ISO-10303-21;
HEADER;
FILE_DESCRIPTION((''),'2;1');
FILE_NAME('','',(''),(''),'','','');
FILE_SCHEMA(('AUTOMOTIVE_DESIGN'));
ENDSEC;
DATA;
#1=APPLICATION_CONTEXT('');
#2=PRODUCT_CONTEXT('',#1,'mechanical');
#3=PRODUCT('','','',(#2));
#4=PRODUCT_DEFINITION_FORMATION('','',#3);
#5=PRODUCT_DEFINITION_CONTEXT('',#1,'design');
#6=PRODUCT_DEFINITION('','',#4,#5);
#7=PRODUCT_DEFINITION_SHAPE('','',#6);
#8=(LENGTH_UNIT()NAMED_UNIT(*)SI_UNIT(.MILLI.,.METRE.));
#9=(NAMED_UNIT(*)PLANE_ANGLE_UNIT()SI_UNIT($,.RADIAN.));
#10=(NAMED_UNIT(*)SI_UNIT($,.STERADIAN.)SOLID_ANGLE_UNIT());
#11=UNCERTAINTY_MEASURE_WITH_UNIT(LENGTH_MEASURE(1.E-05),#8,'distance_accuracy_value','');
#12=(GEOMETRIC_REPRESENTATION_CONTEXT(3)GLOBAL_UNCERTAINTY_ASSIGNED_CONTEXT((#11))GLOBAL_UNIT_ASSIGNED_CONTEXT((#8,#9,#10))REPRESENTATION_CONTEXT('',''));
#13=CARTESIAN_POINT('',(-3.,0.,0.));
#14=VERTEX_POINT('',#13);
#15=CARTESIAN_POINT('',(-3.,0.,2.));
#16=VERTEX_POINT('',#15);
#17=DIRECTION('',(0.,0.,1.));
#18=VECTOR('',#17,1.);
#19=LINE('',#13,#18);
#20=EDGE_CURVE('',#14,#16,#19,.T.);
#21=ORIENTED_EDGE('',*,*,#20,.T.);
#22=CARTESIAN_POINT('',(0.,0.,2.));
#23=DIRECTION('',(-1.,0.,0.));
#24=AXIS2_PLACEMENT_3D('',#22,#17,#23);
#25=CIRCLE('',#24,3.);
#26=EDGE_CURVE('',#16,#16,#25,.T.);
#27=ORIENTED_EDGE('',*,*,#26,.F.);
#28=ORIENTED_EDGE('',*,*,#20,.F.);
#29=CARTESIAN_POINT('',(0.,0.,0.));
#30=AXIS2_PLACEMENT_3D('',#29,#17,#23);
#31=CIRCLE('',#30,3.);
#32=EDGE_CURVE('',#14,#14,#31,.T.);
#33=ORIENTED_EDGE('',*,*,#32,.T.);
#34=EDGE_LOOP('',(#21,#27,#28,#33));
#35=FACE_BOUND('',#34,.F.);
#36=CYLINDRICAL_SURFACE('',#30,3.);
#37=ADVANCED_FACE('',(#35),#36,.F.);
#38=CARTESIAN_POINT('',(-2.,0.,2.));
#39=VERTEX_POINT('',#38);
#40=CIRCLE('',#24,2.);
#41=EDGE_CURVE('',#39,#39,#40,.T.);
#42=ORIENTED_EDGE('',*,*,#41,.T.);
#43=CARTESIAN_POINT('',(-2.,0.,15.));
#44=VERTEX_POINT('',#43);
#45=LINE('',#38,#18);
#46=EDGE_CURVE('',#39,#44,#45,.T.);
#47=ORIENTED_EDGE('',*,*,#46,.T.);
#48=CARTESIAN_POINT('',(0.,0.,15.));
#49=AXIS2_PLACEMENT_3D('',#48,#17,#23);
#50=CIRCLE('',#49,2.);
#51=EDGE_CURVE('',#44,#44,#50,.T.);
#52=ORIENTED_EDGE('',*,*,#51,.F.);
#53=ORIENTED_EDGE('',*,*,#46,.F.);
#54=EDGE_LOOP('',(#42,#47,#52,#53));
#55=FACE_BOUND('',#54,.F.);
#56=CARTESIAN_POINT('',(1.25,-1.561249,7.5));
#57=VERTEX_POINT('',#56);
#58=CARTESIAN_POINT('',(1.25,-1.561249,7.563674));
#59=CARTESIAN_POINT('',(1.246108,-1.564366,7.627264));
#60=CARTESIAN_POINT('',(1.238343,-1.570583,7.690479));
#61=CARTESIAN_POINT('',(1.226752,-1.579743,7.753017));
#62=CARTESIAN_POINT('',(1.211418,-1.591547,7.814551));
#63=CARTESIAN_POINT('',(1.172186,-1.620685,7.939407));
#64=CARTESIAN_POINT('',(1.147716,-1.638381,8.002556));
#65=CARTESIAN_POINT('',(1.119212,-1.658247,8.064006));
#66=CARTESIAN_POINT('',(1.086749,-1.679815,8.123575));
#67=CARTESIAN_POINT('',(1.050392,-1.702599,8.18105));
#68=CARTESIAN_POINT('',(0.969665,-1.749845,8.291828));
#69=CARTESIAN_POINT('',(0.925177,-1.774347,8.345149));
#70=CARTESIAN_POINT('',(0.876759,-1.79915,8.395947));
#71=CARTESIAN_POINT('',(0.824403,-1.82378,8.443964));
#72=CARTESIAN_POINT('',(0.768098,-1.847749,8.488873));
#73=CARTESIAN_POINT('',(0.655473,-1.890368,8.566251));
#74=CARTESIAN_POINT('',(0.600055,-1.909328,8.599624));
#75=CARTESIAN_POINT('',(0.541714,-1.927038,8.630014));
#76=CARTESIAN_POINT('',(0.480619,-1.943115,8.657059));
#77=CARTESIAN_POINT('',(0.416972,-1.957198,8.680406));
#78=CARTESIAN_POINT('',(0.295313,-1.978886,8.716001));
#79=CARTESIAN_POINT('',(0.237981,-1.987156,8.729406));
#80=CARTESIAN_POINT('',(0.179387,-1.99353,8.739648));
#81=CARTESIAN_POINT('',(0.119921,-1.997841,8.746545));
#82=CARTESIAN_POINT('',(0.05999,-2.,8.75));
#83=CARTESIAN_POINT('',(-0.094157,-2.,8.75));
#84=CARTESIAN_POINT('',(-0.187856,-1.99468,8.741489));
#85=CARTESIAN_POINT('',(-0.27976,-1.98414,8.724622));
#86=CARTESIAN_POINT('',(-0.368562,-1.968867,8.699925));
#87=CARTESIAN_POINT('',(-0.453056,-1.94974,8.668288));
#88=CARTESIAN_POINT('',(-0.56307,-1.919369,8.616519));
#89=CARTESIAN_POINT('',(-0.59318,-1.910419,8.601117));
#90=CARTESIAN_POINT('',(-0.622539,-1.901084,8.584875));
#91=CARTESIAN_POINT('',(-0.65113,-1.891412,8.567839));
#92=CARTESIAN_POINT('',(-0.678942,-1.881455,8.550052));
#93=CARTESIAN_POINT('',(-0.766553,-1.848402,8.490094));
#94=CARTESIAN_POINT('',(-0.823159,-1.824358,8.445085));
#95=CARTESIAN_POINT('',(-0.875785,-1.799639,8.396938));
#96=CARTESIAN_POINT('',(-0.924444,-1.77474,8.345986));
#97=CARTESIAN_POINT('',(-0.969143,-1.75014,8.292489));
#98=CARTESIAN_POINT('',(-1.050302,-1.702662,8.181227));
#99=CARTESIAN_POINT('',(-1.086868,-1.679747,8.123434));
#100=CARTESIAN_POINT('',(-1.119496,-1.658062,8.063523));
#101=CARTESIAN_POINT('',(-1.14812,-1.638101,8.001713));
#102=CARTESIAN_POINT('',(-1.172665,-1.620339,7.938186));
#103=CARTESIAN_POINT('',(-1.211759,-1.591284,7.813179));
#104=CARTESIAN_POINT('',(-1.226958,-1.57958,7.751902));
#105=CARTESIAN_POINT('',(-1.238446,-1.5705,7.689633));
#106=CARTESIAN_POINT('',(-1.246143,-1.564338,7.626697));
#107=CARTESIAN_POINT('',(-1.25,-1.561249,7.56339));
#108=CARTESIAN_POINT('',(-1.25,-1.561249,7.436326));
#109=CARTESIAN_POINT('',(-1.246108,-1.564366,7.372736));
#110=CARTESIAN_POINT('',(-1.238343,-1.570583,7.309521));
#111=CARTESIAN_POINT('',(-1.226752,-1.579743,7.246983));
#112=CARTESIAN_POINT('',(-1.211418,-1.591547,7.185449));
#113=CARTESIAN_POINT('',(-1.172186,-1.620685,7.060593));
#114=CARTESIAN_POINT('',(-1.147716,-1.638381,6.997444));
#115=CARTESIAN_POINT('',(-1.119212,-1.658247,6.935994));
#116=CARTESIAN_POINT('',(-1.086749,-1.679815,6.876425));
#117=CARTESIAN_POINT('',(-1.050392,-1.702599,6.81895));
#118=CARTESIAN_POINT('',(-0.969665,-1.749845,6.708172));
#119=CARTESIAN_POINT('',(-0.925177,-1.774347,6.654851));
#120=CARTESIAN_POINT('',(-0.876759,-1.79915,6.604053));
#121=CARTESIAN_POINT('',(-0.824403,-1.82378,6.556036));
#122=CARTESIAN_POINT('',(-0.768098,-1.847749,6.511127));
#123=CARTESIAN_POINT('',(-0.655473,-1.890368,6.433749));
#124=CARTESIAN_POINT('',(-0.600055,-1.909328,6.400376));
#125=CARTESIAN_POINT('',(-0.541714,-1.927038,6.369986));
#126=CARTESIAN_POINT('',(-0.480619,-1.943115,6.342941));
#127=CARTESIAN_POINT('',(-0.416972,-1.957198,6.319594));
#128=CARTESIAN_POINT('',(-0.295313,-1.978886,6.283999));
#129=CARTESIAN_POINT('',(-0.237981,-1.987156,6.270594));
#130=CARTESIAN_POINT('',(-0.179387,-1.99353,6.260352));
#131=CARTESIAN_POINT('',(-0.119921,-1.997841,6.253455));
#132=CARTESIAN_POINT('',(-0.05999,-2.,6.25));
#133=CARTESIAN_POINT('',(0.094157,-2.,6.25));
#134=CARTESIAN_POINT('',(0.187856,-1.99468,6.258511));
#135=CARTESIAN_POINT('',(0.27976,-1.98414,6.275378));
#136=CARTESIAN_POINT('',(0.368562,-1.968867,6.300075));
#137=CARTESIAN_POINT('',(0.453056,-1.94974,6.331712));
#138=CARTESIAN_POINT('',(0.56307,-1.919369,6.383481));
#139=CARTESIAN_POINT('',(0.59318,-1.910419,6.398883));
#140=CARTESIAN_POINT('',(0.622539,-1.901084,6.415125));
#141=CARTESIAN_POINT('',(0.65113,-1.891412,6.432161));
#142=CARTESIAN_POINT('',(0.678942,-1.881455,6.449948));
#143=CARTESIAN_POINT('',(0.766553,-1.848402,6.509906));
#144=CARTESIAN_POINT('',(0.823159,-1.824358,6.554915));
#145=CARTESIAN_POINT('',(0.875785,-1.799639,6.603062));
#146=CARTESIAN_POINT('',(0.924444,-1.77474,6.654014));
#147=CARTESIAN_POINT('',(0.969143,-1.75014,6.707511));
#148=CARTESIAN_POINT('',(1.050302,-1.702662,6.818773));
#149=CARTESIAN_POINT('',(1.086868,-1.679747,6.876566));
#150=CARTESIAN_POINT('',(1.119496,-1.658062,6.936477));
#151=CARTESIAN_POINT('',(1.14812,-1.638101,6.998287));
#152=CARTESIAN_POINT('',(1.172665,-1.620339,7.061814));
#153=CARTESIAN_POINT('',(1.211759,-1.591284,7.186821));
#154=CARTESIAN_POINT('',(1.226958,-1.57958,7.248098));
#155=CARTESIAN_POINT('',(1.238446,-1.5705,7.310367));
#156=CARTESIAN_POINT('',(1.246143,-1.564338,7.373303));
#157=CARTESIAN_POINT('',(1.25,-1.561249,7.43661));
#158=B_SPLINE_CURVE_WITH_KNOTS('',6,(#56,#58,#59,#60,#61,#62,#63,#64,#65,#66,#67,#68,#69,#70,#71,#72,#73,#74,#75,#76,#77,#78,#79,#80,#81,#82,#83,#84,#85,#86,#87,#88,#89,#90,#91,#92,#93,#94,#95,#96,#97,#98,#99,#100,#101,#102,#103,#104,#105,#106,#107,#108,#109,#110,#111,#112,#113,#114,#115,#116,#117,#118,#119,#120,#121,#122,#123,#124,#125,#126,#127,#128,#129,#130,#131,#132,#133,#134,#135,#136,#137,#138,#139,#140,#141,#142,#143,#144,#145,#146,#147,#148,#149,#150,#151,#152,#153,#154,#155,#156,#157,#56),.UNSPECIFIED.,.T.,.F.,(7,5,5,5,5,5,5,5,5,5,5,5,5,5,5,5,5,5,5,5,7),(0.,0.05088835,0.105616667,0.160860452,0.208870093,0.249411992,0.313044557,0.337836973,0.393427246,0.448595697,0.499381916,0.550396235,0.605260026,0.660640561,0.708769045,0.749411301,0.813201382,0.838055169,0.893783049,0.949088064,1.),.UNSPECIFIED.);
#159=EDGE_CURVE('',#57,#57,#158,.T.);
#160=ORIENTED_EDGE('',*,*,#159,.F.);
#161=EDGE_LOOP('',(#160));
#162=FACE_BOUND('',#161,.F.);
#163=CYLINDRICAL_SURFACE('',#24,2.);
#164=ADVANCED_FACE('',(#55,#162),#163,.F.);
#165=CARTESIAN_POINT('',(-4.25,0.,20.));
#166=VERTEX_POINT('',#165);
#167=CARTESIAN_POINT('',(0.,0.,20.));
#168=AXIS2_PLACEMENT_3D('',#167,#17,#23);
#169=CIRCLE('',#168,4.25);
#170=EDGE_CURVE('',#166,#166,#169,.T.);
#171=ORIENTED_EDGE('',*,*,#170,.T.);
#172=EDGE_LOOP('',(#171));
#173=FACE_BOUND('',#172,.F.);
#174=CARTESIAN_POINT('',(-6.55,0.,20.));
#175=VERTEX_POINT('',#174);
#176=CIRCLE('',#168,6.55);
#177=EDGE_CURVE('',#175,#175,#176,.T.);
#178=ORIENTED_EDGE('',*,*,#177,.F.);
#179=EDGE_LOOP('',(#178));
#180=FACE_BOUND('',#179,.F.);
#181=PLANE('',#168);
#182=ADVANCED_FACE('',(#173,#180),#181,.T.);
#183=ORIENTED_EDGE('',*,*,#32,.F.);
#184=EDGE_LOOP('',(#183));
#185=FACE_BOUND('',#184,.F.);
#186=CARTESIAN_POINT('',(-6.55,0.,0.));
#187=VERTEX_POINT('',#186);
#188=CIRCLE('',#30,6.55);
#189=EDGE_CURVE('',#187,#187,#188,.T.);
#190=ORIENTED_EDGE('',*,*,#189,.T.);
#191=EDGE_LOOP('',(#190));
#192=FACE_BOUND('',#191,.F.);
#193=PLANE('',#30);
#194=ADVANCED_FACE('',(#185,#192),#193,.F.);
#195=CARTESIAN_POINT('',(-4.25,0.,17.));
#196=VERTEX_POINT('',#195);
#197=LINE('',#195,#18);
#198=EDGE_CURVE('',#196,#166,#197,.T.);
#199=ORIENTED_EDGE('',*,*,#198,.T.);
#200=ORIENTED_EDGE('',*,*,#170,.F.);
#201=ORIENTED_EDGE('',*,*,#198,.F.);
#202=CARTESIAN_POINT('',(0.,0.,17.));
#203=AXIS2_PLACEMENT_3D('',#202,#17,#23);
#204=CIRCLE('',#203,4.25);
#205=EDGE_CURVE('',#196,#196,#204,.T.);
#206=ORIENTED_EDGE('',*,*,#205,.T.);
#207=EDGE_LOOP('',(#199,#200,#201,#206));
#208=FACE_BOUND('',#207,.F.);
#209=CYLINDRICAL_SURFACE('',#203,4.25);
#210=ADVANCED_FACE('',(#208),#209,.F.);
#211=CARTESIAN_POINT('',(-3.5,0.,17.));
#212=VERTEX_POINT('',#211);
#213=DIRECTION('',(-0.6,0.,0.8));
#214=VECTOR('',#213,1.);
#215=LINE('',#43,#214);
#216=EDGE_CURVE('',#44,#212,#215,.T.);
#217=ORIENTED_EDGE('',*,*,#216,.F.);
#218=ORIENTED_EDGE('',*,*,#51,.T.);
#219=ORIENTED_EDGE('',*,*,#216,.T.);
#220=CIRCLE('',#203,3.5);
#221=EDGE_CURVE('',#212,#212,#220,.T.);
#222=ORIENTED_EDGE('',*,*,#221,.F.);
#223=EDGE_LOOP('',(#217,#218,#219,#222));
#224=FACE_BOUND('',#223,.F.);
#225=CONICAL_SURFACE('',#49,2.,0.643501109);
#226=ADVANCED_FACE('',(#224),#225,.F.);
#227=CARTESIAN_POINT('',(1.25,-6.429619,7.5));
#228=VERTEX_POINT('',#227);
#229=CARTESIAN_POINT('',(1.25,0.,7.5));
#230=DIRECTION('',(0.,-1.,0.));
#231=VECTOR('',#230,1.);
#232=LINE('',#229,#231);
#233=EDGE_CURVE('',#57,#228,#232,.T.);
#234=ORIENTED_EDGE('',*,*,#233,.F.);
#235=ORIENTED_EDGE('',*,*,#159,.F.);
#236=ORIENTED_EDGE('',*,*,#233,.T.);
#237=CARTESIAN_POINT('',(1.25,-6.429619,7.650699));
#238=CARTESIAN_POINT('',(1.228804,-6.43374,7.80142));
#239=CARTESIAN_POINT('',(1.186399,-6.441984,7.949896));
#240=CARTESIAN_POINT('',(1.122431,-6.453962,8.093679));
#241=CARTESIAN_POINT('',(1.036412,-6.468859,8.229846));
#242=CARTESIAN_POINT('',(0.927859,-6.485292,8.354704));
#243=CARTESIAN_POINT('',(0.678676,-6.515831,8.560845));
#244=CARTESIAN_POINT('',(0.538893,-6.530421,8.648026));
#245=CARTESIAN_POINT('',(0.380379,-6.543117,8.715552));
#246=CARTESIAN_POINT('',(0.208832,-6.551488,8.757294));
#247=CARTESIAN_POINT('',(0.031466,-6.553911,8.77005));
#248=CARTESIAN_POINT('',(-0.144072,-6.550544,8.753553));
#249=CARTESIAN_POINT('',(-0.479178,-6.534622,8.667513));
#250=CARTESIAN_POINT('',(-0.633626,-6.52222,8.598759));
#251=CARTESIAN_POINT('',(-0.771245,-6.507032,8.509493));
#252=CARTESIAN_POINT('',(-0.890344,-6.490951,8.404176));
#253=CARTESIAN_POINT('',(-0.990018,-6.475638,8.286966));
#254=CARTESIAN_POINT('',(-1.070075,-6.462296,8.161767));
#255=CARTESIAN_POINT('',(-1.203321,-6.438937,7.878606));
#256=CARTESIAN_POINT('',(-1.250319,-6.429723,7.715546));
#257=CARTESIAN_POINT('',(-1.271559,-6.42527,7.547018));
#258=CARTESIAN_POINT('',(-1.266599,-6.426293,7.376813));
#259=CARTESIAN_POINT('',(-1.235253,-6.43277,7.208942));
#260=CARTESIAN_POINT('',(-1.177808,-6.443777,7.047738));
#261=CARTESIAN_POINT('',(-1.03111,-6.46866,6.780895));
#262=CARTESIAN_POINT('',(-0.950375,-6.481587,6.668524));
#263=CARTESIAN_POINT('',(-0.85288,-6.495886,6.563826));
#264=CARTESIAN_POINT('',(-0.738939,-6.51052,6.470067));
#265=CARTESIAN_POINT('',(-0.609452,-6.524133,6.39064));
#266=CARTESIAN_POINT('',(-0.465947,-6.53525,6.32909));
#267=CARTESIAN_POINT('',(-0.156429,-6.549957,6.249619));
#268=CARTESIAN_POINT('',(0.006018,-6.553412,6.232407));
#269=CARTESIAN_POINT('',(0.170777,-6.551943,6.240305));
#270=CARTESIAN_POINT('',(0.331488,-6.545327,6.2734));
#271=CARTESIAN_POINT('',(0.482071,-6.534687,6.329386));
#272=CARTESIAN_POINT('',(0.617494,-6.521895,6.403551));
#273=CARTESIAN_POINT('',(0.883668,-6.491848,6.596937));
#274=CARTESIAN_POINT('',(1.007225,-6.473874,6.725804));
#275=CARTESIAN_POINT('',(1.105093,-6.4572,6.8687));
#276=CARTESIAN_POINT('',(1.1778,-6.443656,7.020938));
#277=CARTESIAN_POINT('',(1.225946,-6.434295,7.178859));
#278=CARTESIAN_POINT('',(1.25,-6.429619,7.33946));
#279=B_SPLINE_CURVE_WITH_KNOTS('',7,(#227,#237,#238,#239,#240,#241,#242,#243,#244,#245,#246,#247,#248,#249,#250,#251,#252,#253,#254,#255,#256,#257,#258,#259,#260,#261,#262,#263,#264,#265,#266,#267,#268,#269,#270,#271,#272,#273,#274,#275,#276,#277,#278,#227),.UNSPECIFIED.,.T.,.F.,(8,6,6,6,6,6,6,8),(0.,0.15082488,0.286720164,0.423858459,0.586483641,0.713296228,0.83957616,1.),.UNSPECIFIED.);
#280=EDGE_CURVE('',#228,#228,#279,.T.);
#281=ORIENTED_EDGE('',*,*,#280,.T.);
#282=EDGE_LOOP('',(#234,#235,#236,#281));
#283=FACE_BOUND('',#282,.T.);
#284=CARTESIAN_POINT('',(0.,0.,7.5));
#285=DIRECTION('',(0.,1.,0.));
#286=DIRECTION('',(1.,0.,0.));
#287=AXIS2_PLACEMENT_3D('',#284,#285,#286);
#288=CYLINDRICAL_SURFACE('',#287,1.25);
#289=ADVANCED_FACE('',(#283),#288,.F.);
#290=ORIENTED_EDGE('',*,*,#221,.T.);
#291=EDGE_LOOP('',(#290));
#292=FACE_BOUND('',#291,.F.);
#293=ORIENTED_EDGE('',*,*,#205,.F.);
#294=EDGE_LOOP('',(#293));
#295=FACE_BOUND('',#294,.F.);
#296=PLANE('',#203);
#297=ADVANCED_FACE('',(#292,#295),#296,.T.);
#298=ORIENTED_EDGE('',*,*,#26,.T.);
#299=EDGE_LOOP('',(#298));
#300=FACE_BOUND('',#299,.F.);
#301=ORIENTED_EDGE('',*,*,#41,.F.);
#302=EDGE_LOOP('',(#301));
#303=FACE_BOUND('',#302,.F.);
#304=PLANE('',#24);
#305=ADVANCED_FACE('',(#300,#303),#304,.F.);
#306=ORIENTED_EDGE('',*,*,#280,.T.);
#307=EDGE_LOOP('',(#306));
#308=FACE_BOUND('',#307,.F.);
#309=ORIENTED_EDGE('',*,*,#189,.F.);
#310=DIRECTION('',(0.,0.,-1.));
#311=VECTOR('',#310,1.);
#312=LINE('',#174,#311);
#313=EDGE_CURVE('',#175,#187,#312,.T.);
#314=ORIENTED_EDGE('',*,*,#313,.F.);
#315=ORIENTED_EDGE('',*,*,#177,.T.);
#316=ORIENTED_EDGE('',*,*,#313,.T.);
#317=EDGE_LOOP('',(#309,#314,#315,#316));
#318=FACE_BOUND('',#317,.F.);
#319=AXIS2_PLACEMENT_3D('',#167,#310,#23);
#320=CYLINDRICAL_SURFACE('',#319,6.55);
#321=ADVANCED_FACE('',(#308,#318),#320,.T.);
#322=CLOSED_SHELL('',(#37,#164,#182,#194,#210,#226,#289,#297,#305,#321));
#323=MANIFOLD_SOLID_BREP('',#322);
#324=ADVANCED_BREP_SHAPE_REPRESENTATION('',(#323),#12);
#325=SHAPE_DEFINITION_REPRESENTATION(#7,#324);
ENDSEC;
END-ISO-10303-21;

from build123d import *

# Parameters (mm, degrees)
F2_R     = 1.25
F3_DEPTH = 12.6


with BuildPart() as f1:
    # F0 (on Front) → F1 (revolve)
    with BuildSketch(Plane.XZ):
        Polygon((-2, 15), (-3.5, 17), (-4.25, 17), (-4.25, 20), (-6.55, 20), (-6.55, 0), (-3, 0), (-3, 2), (-2, 2), align=None)
    revolve(axis=Axis((0, 0, 17.224411), (0, 0, 1)))

    # F2 (on Front) → F3 (cut)
    with BuildSketch(Plane.XZ):
        with Locations((0, 7.5)):
            Circle(F2_R)
    extrude(amount=F3_DEPTH, mode=Mode.SUBTRACT)


solid = f1.part
